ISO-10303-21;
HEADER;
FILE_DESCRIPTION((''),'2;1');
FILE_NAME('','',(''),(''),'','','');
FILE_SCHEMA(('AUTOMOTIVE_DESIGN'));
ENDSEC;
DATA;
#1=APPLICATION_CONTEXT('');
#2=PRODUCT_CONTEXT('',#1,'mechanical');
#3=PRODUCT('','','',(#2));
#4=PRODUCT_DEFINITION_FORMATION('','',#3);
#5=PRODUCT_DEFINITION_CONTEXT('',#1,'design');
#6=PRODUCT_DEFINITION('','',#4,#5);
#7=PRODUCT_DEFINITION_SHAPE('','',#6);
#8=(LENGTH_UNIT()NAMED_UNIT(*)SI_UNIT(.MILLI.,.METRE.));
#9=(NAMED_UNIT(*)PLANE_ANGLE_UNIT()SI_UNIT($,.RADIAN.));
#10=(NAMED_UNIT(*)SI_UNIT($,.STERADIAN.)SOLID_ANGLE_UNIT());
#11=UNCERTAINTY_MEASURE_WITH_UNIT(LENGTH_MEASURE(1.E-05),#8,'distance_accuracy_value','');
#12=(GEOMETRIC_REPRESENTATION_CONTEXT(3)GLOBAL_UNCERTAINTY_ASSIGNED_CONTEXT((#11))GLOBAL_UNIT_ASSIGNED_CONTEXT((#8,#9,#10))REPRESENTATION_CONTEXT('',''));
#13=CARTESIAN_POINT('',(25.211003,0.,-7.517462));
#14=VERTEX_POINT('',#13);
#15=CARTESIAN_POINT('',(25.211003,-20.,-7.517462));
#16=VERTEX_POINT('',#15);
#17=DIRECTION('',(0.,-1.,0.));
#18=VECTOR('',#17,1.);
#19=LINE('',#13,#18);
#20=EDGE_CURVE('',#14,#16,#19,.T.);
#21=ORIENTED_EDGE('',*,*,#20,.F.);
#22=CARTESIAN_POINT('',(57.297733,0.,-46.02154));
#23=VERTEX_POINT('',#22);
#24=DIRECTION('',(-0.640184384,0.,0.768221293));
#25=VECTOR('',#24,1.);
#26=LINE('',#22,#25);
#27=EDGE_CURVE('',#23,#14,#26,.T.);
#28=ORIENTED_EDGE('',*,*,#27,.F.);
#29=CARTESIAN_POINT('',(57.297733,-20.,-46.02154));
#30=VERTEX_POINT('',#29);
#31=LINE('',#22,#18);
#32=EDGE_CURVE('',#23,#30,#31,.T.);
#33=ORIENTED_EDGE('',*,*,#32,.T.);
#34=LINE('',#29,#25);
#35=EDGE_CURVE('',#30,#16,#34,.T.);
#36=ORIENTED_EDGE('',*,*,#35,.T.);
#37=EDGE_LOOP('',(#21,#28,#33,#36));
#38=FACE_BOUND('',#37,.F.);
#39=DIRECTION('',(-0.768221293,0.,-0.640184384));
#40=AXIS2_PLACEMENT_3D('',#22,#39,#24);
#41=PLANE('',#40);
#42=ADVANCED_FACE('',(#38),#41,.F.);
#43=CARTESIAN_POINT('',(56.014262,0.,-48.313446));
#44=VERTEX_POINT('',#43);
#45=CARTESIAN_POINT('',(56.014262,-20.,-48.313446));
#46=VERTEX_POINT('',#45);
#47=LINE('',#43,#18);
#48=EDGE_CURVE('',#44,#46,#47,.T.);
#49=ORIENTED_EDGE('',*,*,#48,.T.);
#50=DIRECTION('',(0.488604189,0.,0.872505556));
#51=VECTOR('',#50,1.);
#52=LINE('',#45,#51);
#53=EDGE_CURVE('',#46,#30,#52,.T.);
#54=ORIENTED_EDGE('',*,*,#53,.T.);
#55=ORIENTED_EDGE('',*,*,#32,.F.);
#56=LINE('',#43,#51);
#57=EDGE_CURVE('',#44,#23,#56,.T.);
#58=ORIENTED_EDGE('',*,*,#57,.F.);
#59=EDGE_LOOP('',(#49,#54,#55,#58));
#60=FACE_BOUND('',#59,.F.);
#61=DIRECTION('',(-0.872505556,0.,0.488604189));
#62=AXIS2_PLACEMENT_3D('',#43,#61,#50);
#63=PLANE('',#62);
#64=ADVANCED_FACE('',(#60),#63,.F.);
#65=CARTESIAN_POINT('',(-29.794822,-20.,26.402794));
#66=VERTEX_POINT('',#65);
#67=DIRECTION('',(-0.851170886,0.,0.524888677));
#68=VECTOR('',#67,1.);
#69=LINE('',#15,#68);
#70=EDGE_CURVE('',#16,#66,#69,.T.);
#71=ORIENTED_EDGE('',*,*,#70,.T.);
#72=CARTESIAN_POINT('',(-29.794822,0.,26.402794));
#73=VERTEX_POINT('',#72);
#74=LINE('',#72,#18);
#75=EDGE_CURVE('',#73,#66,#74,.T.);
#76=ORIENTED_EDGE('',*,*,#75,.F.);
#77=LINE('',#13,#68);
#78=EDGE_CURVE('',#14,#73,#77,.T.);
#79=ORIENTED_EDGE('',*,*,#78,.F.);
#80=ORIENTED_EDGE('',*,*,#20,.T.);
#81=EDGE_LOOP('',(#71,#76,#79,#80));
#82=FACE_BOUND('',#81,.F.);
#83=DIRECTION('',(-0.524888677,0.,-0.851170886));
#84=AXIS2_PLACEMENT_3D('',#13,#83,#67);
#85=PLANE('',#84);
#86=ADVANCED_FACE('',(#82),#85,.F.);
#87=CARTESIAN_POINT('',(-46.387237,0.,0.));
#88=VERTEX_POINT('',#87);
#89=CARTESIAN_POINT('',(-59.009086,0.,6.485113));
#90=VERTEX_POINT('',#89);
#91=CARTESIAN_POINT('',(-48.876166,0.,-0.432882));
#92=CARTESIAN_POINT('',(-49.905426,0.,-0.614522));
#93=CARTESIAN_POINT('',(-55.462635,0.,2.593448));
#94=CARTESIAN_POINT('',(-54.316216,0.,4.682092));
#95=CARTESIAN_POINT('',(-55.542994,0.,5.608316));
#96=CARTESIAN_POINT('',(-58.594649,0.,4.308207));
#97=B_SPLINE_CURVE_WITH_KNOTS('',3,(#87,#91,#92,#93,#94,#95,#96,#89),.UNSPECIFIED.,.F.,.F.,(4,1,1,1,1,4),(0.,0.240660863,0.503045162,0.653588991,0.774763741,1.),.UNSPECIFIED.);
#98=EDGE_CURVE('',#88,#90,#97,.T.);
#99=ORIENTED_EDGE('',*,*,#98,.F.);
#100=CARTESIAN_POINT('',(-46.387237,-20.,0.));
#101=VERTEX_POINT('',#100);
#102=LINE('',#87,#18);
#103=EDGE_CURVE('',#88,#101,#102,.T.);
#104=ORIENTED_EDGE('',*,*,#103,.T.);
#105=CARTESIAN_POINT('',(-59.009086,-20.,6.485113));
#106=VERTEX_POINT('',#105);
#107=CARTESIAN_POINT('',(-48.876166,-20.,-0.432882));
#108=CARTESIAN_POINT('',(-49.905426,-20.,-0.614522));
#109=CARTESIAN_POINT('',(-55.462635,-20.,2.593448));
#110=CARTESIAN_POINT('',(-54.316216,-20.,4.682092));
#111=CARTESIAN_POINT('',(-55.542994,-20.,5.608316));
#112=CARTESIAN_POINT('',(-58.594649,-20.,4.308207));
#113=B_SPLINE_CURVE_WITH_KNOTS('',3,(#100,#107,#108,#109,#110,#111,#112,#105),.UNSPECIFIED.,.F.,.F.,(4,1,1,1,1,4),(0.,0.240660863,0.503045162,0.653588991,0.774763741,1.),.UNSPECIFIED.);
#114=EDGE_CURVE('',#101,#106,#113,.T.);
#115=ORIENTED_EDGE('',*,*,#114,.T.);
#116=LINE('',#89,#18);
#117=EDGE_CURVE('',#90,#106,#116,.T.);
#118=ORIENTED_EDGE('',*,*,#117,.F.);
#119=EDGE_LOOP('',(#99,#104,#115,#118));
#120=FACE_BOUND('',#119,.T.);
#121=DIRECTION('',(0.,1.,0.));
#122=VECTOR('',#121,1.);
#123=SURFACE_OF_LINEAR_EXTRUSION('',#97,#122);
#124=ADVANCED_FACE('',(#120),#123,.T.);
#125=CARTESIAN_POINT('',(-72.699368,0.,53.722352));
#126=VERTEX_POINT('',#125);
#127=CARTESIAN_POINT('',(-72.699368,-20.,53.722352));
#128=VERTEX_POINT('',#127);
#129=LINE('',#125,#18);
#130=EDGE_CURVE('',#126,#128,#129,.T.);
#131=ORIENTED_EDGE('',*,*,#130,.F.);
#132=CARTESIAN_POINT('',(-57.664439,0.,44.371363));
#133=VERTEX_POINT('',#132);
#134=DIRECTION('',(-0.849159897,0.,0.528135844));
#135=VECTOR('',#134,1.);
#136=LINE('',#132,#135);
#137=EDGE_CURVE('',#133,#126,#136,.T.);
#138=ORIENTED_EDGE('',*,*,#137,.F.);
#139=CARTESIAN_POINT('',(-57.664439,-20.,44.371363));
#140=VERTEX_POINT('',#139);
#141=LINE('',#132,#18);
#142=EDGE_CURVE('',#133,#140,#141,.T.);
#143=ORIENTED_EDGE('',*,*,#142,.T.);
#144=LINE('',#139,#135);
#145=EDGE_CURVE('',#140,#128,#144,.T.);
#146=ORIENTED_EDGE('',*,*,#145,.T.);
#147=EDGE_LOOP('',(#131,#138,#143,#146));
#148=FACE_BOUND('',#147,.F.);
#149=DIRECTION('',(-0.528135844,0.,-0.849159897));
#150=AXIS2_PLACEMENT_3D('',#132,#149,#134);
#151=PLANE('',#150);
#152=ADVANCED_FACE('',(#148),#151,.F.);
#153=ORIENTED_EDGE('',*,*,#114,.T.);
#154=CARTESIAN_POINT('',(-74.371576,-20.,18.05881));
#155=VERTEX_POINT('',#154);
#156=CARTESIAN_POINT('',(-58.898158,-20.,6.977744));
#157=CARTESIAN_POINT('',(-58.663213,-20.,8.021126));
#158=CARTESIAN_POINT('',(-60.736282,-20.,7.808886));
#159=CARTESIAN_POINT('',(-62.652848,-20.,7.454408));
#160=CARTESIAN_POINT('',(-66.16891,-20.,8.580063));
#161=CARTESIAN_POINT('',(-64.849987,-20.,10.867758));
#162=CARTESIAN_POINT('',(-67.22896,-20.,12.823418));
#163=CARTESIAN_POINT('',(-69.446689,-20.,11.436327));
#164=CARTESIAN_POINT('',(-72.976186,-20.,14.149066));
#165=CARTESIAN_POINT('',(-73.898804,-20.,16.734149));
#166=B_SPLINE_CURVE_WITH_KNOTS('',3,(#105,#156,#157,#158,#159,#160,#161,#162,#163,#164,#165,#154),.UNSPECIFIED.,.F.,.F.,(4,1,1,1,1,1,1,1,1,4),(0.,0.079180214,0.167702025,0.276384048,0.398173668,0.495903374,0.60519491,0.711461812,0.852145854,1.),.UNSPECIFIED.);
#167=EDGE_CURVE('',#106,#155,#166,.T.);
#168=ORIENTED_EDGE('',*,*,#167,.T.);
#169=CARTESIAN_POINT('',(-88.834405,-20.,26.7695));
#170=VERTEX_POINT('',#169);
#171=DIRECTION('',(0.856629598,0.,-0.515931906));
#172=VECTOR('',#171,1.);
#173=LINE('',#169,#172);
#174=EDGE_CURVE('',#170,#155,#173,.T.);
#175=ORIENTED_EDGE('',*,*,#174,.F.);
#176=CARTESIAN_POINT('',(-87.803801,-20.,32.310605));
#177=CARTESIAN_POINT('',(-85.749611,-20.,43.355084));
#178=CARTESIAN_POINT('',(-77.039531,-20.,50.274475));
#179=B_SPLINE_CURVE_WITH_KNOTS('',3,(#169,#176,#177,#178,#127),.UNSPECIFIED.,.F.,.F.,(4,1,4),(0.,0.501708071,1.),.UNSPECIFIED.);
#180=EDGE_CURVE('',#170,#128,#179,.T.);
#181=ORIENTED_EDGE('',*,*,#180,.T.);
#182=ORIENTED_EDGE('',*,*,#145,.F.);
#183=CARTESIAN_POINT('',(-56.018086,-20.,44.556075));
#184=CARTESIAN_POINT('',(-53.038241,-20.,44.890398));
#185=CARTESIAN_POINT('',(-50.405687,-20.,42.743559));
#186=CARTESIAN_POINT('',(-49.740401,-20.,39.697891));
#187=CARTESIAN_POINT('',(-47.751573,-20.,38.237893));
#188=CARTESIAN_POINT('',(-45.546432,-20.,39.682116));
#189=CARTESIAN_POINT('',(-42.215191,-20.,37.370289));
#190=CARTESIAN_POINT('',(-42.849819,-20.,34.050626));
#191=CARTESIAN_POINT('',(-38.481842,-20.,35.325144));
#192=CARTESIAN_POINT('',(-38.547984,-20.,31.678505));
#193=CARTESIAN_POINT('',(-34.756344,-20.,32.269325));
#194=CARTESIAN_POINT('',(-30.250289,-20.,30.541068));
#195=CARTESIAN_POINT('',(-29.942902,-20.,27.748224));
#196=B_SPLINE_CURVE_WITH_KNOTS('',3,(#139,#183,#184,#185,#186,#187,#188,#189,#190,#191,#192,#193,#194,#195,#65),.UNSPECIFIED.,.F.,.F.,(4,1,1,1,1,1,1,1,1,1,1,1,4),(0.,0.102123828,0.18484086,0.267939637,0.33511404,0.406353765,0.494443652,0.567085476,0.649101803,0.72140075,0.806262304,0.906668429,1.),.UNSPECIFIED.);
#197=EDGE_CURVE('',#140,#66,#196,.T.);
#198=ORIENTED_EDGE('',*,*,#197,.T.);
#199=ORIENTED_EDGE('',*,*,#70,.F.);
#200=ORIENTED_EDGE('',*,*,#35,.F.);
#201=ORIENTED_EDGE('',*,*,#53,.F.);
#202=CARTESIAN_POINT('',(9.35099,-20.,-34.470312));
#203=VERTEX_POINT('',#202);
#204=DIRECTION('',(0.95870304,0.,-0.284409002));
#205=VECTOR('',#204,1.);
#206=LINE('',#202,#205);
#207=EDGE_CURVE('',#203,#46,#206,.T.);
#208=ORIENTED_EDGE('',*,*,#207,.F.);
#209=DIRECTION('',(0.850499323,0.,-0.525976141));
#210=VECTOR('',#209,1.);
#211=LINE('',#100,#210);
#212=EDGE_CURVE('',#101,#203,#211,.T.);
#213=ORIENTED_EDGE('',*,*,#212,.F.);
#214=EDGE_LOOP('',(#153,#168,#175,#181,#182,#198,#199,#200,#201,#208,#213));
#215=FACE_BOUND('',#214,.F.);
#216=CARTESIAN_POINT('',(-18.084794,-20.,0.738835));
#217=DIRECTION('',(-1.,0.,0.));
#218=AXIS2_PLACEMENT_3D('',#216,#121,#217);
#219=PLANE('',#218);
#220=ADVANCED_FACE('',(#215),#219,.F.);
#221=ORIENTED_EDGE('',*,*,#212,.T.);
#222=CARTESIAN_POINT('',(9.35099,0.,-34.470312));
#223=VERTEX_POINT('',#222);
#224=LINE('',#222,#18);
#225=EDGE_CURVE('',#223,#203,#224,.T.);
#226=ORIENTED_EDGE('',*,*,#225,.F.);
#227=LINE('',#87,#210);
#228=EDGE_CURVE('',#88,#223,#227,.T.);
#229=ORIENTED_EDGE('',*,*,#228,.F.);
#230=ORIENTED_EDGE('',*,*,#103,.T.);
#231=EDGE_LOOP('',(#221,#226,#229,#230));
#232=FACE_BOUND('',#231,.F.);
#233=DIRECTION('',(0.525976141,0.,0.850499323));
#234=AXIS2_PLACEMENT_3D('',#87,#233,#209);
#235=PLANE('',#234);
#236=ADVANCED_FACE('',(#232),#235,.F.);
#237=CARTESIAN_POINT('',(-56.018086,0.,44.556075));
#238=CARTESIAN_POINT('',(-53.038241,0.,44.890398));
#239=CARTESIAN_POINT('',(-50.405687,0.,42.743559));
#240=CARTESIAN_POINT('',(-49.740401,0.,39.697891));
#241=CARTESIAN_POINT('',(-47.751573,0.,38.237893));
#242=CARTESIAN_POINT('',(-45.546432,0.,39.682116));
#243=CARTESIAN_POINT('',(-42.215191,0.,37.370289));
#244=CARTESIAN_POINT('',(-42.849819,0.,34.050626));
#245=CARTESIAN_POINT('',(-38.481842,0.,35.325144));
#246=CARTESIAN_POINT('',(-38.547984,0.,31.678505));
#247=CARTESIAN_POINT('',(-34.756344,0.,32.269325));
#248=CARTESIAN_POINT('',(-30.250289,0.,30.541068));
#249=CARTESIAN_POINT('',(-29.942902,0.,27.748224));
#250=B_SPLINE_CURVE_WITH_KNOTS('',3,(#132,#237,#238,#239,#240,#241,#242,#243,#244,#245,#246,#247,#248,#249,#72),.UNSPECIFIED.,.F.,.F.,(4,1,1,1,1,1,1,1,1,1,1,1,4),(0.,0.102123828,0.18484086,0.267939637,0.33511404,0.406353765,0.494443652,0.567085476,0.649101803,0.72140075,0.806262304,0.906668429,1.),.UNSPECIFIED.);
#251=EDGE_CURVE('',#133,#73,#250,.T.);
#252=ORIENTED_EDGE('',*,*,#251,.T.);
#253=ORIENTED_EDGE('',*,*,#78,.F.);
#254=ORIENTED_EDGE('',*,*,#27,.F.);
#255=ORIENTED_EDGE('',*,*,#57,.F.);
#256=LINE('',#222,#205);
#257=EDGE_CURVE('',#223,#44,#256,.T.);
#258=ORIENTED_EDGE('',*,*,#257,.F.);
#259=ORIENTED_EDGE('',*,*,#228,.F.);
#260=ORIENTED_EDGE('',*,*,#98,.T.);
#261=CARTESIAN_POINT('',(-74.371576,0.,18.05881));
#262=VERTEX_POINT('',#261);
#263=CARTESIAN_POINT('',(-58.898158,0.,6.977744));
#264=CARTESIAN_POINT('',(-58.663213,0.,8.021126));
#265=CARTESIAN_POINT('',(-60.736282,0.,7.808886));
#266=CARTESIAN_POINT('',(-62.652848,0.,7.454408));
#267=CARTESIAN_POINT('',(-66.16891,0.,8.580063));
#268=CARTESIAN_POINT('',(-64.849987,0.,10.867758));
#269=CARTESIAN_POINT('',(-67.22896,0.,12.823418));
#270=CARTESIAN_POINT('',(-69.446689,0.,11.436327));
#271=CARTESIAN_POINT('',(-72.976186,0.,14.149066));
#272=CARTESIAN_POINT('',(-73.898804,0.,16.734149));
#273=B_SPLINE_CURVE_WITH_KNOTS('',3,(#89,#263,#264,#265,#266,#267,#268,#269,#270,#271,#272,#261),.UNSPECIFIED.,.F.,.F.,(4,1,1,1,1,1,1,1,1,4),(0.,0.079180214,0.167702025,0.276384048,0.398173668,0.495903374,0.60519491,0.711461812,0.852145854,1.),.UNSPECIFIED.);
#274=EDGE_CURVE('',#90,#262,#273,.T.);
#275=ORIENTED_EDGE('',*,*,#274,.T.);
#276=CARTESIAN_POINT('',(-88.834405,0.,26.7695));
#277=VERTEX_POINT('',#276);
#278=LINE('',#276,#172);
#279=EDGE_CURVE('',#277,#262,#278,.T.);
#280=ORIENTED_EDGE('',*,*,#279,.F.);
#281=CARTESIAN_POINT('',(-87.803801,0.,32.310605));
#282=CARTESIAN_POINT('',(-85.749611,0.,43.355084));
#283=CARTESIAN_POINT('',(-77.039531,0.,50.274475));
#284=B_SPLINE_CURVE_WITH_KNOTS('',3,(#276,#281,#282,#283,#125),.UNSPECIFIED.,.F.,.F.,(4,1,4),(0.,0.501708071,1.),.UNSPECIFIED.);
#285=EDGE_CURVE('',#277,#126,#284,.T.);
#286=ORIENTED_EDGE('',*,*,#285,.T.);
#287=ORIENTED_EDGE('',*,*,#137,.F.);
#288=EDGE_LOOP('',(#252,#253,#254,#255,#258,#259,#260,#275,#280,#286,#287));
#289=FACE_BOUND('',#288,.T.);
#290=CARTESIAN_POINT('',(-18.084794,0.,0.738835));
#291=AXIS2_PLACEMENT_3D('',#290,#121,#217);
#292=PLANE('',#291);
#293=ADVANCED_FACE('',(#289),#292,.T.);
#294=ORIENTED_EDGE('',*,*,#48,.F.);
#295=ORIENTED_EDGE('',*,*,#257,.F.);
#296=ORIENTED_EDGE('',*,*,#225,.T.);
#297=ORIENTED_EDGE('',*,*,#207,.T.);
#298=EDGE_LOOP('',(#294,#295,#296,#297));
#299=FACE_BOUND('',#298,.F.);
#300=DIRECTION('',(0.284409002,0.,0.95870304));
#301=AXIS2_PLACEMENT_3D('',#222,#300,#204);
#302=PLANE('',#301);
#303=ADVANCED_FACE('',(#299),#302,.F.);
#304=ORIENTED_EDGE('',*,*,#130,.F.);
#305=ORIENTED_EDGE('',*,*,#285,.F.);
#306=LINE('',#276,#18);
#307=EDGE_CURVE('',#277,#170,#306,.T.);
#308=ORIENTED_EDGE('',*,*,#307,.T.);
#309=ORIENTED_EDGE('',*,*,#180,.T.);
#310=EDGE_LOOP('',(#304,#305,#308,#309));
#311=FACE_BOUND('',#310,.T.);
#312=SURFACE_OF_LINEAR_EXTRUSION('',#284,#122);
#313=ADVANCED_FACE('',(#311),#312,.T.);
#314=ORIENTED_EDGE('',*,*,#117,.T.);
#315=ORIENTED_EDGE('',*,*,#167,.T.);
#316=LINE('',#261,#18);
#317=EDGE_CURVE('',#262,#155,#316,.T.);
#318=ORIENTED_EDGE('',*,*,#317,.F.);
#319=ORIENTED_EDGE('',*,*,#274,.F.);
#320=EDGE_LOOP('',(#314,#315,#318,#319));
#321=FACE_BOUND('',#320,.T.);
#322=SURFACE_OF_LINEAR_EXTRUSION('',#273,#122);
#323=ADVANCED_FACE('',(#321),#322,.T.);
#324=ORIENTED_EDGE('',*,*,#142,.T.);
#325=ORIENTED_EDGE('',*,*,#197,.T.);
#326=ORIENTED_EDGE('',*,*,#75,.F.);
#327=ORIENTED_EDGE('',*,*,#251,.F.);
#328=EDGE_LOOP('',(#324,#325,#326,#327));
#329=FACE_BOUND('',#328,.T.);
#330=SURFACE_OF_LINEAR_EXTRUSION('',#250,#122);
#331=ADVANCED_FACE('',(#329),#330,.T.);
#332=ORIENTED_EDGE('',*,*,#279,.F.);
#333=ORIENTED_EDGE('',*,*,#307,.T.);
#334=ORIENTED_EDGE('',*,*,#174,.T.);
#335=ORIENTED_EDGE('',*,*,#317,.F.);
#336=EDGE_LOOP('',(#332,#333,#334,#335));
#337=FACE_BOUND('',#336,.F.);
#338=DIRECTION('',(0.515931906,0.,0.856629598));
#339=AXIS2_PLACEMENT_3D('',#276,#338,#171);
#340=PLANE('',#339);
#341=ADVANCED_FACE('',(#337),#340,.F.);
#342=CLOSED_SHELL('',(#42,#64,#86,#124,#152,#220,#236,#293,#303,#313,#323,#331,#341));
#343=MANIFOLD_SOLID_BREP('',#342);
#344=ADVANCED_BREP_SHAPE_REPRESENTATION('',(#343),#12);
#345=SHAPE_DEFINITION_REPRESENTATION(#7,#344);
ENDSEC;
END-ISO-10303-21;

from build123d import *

# Parameters (mm, degrees)
F1_DEPTH = 20


with BuildPart() as f1:
    # F0 (on Front) → F1 (new body)
    with BuildSketch(Plane.XZ):
        with BuildLine():
            add(Edge.make_bspline(
                [(-88.8344049454, 26.7695002258), (-87.8038011595, 32.3106045016), (-85.7496109929, 43.3550835453), (-77.0395307075, 50.2744749157), (-72.699368, 53.7223517895)],
                knots=[0, 0, 0, 0, 0.501708071, 1, 1, 1, 1], degree=3))
            Line((-88.8344049454, 26.7695002258), (-74.3715763092, 18.0588103831))
            add(Edge.make_bspline(
                [(-59.0090863407, 6.4851129428), (-58.8981575273, 6.9777438339), (-58.6632126373, 8.0211256837), (-60.7362823751, 7.8088858481), (-62.6528478175, 7.4544078457), (-66.168909679, 8.5800629997), (-64.8499873825, 10.8677578561), (-67.2289602564, 12.8234184157), (-69.4466887305, 11.4363273139), (-72.9761860972, 14.1490657202), (-73.8988039616, 16.7341492619), (-74.3715763092, 18.0588103831)],
                knots=[0, 0, 0, 0, 0.0791802138, 0.1677020248, 0.2763840484, 0.3981736679, 0.495903374, 0.6051949105, 0.7114618123, 0.8521458541, 1, 1, 1, 1], degree=3))
            add(Edge.make_bspline(
                [(-46.3872365654, 0), (-48.8761662315, -0.4328818518), (-49.9054258781, -0.6145223717), (-55.4626347421, 2.5934481343), (-54.3162160041, 4.6820915901), (-55.5429938643, 5.6083160556), (-58.5946487154, 4.308206622), (-59.0090863407, 6.4851129428)],
                knots=[0, 0, 0, 0, 0.2406608634, 0.5030451623, 0.6535889913, 0.7747637411, 1, 1, 1, 1], degree=3))
            Line((-46.3872365654, 0), (9.3509899452, -34.4703122973))
            Line((9.3509899452, -34.4703122973), (56.0142621398, -48.3134463429))
            Line((56.0142621398, -48.3134463429), (57.297732681, -46.0215397179))
            Line((57.297732681, -46.0215397179), (25.2110026777, -7.5174621306))
            Line((25.2110026777, -7.5174621306), (-29.7948215157, 26.4027938247))
            add(Edge.make_bspline(
                [(-57.6644390821, 44.3713627756), (-56.0180864372, 44.55607482), (-53.0382408398, 44.890397709), (-50.4056866524, 42.7435590443), (-49.7404009285, 39.697890739), (-47.7515725732, 38.2378926281), (-45.5464320871, 39.6821155176), (-42.2151906117, 37.3702893034), (-42.8498194431, 34.0506255958), (-38.4818419171, 35.3251444244), (-38.5479835621, 31.6785049513), (-34.7563441046, 32.2693254944), (-30.2502887191, 30.5410675775), (-29.9429023959, 27.7482237817), (-29.7948215157, 26.4027938247)],
                knots=[0, 0, 0, 0, 0.1021238279, 0.18484086, 0.2679396368, 0.3351140401, 0.4063537653, 0.4944436515, 0.5670854763, 0.6491018032, 0.7214007501, 0.8062623042, 0.9066684287, 1, 1, 1, 1], degree=3))
            Line((-57.6644390821, 44.3713627756), (-72.699368, 53.7223517895))
        make_face()
    extrude(amount=F1_DEPTH)


solid = f1.part
